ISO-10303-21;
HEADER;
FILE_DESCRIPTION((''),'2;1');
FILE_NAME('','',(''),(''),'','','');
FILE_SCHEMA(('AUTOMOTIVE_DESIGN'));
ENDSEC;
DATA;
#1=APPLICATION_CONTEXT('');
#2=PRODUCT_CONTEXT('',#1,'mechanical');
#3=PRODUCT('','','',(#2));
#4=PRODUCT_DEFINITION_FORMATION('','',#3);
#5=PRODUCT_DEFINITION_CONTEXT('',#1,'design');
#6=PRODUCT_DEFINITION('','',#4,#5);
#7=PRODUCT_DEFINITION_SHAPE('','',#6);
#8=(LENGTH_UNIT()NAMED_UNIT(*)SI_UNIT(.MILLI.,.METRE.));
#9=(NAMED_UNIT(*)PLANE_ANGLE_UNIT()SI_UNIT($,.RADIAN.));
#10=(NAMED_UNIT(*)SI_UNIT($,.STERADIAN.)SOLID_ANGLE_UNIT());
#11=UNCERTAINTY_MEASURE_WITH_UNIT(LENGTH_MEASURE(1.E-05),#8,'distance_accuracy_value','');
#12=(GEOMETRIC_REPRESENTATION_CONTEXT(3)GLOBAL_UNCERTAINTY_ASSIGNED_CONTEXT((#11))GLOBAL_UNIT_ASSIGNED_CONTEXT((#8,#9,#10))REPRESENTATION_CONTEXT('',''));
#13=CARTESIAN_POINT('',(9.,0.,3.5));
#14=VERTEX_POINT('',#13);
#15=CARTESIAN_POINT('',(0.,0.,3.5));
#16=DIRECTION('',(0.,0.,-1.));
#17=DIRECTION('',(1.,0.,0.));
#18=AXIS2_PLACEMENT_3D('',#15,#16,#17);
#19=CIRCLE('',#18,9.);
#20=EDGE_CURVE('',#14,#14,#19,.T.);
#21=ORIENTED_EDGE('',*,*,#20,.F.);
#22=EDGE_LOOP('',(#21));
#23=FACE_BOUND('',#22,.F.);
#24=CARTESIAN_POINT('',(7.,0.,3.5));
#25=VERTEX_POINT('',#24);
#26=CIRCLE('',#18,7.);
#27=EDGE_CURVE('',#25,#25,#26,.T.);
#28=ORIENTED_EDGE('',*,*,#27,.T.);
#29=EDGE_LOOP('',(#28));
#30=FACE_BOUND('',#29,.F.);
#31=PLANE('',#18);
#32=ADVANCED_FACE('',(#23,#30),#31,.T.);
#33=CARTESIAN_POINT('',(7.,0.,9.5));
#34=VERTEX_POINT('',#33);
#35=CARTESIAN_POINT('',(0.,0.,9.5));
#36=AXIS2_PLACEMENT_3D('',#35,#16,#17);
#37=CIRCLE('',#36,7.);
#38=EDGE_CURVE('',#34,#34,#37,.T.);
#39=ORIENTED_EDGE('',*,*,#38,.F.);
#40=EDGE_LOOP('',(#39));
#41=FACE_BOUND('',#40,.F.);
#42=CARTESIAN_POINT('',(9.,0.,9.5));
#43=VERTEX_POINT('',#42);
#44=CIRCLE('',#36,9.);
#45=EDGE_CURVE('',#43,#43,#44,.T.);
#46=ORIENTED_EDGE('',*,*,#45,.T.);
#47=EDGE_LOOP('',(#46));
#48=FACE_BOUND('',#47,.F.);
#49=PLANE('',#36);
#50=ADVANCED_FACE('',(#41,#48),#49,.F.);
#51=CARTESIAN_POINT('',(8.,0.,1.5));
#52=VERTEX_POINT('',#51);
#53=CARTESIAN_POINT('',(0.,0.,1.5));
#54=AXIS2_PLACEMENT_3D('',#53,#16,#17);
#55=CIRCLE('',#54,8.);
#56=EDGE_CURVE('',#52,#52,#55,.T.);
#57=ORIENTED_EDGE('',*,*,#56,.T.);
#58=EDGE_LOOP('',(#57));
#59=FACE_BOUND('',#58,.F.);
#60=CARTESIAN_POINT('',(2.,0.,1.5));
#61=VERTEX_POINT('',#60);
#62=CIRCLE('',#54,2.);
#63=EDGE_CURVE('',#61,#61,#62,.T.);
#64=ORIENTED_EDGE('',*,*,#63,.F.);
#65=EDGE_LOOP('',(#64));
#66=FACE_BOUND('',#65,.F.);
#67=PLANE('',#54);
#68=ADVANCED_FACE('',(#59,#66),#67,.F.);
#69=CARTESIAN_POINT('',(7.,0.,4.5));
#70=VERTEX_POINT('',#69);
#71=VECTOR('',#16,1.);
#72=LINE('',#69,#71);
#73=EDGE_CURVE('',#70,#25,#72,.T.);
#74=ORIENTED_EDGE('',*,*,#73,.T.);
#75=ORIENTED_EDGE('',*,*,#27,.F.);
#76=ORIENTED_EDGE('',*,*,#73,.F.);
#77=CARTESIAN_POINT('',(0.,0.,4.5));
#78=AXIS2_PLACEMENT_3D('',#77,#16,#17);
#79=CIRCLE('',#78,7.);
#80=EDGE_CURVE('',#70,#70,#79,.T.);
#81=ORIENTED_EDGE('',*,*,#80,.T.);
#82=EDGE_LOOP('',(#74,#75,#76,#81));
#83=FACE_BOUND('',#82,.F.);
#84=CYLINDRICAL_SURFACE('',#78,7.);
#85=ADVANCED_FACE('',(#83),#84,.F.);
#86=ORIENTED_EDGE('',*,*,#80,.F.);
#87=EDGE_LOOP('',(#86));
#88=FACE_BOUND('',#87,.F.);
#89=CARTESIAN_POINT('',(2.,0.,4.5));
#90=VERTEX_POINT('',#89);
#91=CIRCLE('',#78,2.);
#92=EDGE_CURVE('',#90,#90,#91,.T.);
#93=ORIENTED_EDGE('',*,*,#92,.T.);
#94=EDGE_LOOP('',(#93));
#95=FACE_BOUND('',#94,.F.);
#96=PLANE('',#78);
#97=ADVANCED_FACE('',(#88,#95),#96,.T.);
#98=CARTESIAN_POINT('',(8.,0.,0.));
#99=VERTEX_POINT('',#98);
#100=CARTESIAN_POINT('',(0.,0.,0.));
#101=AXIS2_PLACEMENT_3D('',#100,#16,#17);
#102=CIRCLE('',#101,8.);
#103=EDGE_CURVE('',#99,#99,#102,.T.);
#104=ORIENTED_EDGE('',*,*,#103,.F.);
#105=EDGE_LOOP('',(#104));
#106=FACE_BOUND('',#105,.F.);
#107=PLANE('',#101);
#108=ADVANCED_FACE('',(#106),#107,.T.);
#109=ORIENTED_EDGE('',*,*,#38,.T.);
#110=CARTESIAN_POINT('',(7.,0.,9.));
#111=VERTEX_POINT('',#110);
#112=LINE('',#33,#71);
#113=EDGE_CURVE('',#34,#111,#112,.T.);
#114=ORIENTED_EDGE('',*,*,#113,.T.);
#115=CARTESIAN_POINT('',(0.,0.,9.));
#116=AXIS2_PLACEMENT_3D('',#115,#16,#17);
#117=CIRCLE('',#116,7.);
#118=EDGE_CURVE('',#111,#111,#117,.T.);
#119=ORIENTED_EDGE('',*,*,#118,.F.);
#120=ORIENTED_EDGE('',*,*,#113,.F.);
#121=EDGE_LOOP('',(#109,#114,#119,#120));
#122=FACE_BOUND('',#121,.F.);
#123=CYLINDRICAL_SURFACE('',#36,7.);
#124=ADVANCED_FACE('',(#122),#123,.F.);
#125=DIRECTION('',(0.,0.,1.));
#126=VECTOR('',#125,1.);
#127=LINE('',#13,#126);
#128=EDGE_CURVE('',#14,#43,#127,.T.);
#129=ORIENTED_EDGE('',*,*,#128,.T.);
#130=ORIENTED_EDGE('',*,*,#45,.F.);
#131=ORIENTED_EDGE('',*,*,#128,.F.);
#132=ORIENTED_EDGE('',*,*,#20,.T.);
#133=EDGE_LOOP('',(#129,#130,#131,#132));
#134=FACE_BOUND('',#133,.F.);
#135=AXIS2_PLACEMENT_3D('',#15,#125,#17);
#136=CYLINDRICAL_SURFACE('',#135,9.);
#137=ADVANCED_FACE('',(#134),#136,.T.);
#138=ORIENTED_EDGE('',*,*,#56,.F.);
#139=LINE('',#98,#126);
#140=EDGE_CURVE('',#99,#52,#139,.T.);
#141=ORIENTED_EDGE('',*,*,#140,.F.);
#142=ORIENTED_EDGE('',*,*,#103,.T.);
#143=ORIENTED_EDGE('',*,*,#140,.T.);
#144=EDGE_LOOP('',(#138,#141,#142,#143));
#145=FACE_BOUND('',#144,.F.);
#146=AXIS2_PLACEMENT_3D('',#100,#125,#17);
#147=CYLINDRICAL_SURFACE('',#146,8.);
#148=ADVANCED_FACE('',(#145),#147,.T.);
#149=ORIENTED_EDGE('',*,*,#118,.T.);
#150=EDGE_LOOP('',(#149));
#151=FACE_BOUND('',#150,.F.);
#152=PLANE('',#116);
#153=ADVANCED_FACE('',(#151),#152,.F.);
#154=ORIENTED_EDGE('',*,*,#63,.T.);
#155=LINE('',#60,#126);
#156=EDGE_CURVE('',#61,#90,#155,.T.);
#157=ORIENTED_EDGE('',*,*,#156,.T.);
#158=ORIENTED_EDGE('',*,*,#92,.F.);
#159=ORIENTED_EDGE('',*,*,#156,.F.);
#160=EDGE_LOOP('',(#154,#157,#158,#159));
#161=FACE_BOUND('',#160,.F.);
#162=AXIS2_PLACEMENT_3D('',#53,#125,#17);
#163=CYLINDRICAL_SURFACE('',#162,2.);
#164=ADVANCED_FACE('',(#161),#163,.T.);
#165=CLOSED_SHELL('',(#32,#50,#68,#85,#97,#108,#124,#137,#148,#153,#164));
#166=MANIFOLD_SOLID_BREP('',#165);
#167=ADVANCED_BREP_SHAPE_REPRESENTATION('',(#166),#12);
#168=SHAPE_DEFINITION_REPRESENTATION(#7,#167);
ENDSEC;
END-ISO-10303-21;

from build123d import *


with BuildPart() as f1:
    # F0 (on Front) → F1 (revolve)
    with BuildSketch(Plane.XZ):
        Polygon((0, 1.5), (0, 0), (8, 0), (8, 1.5), (2, 1.5), align=None)
        Polygon((0, 9), (0, 1.5), (2, 1.5), (2, 4.5), (7, 4.5), (7, 3.5), (9, 3.5), (9, 9.5), (7, 9.5), (7, 9), align=None)
    revolve(axis=Axis((0, 0, 4.5), (0, 0, -1)))


solid = f1.part
